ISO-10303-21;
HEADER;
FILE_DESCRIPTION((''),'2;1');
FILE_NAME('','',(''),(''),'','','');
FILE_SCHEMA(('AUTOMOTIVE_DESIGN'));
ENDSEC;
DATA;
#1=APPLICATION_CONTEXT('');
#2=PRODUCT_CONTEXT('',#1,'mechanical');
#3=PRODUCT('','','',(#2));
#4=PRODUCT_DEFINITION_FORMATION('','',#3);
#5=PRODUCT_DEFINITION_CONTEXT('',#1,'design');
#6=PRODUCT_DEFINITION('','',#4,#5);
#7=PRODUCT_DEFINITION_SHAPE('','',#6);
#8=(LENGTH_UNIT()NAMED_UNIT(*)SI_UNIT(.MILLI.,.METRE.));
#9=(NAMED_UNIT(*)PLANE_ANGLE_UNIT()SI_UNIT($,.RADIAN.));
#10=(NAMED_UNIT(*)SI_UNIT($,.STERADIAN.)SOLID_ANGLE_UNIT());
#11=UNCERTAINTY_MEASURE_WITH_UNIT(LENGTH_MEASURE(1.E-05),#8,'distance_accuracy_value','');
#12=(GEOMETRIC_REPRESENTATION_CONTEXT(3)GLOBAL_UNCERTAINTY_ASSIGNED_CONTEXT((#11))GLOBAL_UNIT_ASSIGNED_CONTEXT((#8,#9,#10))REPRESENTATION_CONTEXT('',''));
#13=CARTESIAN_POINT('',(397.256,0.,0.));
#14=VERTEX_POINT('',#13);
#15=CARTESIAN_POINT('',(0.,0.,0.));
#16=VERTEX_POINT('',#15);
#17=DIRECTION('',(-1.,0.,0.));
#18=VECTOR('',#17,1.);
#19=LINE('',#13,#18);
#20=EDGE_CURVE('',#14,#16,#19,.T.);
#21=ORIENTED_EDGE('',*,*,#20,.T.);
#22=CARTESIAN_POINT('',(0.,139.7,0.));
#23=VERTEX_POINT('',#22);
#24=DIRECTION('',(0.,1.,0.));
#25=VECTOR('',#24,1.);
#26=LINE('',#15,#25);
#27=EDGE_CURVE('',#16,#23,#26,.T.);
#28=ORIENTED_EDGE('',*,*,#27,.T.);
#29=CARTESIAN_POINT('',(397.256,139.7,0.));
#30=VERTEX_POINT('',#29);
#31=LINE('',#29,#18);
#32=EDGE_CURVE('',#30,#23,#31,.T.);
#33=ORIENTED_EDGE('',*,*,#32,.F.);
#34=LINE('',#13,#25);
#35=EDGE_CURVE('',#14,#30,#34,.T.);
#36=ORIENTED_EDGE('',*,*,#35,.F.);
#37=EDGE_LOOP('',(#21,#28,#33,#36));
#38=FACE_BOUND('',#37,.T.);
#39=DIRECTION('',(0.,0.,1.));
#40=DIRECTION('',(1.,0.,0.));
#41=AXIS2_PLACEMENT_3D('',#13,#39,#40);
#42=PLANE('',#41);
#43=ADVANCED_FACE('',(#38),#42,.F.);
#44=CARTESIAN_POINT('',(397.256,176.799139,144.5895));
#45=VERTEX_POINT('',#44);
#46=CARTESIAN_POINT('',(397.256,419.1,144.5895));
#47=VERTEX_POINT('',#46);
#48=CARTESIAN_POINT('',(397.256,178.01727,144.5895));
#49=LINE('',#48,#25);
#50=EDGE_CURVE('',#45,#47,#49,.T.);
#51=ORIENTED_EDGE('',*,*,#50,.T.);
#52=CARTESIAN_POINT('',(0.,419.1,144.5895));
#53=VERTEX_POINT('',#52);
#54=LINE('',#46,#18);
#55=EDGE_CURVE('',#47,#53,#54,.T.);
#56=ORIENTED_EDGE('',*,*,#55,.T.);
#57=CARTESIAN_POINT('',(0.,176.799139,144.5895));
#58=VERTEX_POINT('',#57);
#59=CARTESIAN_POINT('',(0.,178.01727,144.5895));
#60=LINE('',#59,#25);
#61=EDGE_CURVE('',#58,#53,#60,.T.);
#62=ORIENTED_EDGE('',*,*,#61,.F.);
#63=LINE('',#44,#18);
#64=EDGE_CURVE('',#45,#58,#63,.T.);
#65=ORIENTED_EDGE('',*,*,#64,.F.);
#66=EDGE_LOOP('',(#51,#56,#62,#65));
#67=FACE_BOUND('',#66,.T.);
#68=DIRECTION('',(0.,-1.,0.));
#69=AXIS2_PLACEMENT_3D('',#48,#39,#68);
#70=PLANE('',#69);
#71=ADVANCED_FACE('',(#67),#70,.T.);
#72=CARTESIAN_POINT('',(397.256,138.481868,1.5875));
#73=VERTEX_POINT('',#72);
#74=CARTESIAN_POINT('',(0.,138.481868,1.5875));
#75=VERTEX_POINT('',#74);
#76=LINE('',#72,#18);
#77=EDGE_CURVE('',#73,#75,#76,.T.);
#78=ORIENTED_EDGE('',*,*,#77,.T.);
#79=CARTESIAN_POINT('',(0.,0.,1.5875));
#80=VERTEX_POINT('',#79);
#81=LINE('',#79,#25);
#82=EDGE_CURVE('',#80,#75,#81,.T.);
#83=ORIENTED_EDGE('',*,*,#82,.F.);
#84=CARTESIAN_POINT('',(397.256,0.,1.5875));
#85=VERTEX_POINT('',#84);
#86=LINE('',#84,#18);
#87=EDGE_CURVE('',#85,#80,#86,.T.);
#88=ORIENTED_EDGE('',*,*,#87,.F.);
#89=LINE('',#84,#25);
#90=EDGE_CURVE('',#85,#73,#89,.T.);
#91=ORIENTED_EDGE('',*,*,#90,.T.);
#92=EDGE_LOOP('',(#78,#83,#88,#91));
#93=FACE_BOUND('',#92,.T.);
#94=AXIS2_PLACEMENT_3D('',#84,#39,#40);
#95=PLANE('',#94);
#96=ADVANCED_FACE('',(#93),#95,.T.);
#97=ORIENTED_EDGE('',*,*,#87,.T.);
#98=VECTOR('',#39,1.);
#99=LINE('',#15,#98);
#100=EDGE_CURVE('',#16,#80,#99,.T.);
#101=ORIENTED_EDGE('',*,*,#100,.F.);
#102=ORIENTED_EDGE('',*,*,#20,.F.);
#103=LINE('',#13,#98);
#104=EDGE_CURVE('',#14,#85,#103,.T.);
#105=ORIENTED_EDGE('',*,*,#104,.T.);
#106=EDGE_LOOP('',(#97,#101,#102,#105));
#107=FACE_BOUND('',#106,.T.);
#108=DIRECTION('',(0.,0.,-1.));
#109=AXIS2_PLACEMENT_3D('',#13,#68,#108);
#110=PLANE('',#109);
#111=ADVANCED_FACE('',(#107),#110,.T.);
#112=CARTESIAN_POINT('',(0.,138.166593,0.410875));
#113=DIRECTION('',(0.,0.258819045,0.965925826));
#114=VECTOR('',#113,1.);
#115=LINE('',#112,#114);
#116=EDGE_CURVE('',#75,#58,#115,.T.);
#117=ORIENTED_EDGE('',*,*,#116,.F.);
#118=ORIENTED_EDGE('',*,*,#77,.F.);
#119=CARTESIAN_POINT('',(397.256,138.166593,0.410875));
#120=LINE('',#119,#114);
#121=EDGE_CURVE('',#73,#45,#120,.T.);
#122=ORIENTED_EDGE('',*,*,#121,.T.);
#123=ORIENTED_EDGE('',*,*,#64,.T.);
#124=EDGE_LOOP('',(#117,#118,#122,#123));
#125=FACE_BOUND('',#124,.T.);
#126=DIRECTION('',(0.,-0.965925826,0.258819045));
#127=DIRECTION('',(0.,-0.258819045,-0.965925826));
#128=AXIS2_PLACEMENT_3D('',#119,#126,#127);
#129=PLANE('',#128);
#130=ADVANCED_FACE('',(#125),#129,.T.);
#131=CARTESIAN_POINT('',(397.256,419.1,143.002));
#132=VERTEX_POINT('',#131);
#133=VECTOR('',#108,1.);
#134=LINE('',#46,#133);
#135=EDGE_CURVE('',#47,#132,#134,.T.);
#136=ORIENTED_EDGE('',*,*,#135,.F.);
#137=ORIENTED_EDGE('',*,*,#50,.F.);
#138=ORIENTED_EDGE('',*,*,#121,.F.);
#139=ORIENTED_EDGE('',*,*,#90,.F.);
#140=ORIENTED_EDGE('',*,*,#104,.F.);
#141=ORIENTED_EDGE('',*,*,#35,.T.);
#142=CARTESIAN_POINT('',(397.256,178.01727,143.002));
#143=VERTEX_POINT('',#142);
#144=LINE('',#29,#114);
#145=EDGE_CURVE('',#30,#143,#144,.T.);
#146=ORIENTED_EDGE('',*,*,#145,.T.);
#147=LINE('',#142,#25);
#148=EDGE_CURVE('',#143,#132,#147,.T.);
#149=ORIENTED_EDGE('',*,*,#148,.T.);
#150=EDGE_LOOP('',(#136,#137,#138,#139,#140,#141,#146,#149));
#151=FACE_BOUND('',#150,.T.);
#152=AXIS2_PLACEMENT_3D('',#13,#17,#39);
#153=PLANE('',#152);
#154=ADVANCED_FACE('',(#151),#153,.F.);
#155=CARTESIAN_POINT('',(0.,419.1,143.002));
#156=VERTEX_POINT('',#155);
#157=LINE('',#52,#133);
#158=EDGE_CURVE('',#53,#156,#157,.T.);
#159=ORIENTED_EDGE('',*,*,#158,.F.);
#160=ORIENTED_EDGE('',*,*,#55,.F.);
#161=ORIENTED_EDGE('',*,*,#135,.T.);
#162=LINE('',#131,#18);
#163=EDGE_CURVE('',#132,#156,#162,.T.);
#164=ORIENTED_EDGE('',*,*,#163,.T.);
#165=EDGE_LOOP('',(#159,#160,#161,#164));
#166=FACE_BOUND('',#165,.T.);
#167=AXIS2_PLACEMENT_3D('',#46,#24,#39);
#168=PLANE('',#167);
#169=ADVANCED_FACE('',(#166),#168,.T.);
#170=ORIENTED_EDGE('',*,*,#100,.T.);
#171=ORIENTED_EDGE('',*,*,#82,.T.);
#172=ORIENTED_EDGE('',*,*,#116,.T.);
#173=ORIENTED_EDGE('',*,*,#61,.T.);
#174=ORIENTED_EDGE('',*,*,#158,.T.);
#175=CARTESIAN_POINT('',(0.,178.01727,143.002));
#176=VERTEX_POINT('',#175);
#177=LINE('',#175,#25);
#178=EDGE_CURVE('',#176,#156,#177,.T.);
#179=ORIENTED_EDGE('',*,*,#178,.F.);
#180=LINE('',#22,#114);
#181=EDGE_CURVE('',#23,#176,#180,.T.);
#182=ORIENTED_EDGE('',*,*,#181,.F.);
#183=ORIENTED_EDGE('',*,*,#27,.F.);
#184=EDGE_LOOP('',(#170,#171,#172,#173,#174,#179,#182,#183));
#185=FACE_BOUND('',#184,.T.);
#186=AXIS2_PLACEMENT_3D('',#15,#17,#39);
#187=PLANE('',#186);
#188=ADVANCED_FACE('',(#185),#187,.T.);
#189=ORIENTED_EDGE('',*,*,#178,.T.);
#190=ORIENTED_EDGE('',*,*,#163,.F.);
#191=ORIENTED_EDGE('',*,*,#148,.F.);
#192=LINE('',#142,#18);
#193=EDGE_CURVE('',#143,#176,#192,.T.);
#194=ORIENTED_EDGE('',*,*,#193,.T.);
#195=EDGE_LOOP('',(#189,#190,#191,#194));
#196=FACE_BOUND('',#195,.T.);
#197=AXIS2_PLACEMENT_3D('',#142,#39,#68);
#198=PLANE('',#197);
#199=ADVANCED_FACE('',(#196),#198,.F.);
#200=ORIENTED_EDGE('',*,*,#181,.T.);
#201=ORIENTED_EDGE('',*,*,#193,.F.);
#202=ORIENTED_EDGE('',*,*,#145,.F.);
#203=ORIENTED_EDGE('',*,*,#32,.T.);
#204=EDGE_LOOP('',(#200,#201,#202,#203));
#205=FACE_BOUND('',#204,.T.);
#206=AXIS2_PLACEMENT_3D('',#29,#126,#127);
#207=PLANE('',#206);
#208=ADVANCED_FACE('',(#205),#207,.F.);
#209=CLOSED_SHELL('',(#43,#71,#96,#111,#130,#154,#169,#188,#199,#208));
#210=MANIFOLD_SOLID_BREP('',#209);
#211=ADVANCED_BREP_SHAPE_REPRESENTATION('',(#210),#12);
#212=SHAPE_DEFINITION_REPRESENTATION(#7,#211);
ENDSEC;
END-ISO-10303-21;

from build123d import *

# Parameters (mm, degrees)
EXTRUDE_THIN1_DEPTH = 397.256


with BuildPart() as part:
    # Sketch1 → Extrude-Thin1 (new body)
    with BuildSketch(Plane(origin=(0, 0, 0), x_dir=(0, 0, -1), z_dir=(1, 0, 0))):
        Polygon((0, 0), (0, 139.7), (-143.002, 178.017270416), (-143.002, 419.1), (-144.5895, 419.1), (-144.5895, 176.799138823), (-1.5875, 138.481868407), (-1.5875, 0), align=None)
    extrude(amount=EXTRUDE_THIN1_DEPTH)


solid = part.part
